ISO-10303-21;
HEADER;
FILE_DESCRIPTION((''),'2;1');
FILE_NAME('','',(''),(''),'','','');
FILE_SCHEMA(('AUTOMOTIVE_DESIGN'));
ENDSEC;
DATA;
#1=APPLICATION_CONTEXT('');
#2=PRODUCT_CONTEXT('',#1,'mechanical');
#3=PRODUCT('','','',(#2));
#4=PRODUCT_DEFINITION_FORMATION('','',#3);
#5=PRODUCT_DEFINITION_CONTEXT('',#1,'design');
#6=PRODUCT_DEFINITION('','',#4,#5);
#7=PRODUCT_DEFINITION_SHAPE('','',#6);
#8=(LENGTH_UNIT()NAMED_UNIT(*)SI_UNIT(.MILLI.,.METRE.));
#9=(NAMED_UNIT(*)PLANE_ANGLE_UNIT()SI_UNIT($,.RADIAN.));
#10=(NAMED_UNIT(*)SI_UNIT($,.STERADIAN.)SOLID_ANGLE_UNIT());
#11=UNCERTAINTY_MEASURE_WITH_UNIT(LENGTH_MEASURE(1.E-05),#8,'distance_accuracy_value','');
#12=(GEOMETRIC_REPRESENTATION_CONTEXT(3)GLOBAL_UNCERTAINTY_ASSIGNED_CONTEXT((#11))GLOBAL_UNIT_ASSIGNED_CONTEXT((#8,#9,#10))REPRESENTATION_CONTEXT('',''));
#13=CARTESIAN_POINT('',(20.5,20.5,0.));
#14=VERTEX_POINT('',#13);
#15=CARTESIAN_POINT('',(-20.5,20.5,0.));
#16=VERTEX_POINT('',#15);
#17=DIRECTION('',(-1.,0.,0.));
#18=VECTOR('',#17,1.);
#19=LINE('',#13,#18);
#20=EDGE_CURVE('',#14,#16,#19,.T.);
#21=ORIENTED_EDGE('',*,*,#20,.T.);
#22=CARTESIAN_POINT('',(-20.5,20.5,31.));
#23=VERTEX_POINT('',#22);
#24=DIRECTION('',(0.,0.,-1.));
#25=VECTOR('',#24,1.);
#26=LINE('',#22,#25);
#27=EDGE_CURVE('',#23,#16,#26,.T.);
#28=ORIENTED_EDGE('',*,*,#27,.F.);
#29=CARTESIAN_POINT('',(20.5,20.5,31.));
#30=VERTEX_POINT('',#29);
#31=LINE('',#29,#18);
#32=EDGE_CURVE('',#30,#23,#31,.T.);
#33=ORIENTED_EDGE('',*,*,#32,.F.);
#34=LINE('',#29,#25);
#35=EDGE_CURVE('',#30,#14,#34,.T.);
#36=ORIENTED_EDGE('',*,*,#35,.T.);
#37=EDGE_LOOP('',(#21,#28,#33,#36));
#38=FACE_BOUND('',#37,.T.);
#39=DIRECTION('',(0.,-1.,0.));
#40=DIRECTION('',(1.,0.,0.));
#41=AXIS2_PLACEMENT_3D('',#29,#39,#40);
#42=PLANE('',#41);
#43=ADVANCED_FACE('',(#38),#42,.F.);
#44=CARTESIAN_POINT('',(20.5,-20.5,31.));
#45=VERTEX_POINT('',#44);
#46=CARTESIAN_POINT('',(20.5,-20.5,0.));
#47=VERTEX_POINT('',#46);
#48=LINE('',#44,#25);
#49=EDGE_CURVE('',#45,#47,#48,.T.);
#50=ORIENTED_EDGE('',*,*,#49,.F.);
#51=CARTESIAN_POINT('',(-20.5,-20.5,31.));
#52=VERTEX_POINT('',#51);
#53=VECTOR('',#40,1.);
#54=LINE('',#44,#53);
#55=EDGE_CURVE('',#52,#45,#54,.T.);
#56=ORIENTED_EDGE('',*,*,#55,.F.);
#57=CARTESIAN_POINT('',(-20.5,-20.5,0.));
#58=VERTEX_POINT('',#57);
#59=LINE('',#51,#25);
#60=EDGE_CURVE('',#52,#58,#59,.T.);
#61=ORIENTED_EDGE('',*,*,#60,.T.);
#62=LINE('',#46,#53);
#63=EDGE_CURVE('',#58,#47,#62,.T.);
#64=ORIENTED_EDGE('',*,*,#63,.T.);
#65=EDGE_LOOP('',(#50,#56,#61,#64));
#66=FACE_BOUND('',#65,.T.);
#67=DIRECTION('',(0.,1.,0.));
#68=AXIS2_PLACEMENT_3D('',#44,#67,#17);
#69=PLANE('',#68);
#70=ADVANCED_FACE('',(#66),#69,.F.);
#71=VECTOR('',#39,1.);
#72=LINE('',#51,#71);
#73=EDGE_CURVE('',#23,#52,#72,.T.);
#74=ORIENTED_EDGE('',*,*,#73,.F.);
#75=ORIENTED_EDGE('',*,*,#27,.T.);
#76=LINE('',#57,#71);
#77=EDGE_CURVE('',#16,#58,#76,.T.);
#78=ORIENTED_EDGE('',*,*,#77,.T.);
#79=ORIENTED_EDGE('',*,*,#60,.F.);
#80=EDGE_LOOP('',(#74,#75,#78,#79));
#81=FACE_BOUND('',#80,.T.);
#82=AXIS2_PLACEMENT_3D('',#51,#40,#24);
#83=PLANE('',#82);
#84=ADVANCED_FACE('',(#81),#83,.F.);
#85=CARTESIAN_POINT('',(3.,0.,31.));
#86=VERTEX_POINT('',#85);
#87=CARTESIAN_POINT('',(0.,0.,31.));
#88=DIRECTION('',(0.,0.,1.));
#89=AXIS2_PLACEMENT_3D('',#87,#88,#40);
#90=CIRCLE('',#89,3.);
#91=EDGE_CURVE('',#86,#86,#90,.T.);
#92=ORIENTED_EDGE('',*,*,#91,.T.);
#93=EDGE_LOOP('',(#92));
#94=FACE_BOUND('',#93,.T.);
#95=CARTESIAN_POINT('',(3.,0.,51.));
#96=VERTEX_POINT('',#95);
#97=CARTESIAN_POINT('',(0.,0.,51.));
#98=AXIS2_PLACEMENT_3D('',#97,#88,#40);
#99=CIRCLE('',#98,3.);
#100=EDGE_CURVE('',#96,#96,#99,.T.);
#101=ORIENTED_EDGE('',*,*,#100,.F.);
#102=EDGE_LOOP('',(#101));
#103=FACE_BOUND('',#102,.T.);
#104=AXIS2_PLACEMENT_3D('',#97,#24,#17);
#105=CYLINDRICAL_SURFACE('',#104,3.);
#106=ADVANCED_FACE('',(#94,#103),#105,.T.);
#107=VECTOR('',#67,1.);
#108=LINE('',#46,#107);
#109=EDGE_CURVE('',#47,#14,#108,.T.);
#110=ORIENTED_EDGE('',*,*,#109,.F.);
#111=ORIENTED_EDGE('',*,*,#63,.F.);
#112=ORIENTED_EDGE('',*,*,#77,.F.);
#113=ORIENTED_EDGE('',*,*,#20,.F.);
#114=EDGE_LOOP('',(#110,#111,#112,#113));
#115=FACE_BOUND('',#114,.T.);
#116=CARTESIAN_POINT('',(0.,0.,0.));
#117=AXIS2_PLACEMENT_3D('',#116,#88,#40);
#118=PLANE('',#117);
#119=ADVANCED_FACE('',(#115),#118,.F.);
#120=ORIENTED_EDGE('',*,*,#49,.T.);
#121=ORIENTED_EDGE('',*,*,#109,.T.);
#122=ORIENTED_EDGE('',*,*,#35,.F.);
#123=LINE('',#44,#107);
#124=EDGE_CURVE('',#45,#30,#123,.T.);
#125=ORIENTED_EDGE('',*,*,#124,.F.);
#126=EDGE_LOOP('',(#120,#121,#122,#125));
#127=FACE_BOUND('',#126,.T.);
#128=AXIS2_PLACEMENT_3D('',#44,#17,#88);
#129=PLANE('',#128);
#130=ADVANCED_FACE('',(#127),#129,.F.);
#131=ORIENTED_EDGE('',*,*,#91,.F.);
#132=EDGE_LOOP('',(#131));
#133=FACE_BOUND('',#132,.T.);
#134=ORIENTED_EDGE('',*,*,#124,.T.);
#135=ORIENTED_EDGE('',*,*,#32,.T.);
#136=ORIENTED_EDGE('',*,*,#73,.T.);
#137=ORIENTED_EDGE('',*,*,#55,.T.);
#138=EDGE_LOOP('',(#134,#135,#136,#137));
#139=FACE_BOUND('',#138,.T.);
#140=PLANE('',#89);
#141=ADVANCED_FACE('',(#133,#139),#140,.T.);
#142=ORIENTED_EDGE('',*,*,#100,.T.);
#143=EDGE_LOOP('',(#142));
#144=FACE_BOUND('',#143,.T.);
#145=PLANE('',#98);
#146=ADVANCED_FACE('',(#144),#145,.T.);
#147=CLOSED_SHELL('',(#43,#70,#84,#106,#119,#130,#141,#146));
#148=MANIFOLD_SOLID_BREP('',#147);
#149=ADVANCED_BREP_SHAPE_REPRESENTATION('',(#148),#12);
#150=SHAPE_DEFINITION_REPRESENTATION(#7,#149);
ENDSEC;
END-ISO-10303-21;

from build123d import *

# Parameters (mm, degrees)
SKETCH1_W           = 41
SKETCH1_H           = 41
SKETCH1_R           = 3
BOSS_EXTRUDE1_DEPTH = 31
SKETCH1_2_R         = 3
BOSS_EXTRUDE2_DEPTH = 51


with BuildPart() as part:
    # Sketch1 → Boss-Extrude1 (new body)
    with BuildSketch(Plane.XY):
        Rectangle(SKETCH1_W, SKETCH1_H)
        Circle(SKETCH1_R, mode=Mode.SUBTRACT)
    extrude(amount=BOSS_EXTRUDE1_DEPTH)

    # Sketch1<2> → Boss-Extrude2 (add)
    with BuildSketch(Plane.XY):
        Circle(SKETCH1_2_R)
    extrude(amount=BOSS_EXTRUDE2_DEPTH)


solid = part.part
